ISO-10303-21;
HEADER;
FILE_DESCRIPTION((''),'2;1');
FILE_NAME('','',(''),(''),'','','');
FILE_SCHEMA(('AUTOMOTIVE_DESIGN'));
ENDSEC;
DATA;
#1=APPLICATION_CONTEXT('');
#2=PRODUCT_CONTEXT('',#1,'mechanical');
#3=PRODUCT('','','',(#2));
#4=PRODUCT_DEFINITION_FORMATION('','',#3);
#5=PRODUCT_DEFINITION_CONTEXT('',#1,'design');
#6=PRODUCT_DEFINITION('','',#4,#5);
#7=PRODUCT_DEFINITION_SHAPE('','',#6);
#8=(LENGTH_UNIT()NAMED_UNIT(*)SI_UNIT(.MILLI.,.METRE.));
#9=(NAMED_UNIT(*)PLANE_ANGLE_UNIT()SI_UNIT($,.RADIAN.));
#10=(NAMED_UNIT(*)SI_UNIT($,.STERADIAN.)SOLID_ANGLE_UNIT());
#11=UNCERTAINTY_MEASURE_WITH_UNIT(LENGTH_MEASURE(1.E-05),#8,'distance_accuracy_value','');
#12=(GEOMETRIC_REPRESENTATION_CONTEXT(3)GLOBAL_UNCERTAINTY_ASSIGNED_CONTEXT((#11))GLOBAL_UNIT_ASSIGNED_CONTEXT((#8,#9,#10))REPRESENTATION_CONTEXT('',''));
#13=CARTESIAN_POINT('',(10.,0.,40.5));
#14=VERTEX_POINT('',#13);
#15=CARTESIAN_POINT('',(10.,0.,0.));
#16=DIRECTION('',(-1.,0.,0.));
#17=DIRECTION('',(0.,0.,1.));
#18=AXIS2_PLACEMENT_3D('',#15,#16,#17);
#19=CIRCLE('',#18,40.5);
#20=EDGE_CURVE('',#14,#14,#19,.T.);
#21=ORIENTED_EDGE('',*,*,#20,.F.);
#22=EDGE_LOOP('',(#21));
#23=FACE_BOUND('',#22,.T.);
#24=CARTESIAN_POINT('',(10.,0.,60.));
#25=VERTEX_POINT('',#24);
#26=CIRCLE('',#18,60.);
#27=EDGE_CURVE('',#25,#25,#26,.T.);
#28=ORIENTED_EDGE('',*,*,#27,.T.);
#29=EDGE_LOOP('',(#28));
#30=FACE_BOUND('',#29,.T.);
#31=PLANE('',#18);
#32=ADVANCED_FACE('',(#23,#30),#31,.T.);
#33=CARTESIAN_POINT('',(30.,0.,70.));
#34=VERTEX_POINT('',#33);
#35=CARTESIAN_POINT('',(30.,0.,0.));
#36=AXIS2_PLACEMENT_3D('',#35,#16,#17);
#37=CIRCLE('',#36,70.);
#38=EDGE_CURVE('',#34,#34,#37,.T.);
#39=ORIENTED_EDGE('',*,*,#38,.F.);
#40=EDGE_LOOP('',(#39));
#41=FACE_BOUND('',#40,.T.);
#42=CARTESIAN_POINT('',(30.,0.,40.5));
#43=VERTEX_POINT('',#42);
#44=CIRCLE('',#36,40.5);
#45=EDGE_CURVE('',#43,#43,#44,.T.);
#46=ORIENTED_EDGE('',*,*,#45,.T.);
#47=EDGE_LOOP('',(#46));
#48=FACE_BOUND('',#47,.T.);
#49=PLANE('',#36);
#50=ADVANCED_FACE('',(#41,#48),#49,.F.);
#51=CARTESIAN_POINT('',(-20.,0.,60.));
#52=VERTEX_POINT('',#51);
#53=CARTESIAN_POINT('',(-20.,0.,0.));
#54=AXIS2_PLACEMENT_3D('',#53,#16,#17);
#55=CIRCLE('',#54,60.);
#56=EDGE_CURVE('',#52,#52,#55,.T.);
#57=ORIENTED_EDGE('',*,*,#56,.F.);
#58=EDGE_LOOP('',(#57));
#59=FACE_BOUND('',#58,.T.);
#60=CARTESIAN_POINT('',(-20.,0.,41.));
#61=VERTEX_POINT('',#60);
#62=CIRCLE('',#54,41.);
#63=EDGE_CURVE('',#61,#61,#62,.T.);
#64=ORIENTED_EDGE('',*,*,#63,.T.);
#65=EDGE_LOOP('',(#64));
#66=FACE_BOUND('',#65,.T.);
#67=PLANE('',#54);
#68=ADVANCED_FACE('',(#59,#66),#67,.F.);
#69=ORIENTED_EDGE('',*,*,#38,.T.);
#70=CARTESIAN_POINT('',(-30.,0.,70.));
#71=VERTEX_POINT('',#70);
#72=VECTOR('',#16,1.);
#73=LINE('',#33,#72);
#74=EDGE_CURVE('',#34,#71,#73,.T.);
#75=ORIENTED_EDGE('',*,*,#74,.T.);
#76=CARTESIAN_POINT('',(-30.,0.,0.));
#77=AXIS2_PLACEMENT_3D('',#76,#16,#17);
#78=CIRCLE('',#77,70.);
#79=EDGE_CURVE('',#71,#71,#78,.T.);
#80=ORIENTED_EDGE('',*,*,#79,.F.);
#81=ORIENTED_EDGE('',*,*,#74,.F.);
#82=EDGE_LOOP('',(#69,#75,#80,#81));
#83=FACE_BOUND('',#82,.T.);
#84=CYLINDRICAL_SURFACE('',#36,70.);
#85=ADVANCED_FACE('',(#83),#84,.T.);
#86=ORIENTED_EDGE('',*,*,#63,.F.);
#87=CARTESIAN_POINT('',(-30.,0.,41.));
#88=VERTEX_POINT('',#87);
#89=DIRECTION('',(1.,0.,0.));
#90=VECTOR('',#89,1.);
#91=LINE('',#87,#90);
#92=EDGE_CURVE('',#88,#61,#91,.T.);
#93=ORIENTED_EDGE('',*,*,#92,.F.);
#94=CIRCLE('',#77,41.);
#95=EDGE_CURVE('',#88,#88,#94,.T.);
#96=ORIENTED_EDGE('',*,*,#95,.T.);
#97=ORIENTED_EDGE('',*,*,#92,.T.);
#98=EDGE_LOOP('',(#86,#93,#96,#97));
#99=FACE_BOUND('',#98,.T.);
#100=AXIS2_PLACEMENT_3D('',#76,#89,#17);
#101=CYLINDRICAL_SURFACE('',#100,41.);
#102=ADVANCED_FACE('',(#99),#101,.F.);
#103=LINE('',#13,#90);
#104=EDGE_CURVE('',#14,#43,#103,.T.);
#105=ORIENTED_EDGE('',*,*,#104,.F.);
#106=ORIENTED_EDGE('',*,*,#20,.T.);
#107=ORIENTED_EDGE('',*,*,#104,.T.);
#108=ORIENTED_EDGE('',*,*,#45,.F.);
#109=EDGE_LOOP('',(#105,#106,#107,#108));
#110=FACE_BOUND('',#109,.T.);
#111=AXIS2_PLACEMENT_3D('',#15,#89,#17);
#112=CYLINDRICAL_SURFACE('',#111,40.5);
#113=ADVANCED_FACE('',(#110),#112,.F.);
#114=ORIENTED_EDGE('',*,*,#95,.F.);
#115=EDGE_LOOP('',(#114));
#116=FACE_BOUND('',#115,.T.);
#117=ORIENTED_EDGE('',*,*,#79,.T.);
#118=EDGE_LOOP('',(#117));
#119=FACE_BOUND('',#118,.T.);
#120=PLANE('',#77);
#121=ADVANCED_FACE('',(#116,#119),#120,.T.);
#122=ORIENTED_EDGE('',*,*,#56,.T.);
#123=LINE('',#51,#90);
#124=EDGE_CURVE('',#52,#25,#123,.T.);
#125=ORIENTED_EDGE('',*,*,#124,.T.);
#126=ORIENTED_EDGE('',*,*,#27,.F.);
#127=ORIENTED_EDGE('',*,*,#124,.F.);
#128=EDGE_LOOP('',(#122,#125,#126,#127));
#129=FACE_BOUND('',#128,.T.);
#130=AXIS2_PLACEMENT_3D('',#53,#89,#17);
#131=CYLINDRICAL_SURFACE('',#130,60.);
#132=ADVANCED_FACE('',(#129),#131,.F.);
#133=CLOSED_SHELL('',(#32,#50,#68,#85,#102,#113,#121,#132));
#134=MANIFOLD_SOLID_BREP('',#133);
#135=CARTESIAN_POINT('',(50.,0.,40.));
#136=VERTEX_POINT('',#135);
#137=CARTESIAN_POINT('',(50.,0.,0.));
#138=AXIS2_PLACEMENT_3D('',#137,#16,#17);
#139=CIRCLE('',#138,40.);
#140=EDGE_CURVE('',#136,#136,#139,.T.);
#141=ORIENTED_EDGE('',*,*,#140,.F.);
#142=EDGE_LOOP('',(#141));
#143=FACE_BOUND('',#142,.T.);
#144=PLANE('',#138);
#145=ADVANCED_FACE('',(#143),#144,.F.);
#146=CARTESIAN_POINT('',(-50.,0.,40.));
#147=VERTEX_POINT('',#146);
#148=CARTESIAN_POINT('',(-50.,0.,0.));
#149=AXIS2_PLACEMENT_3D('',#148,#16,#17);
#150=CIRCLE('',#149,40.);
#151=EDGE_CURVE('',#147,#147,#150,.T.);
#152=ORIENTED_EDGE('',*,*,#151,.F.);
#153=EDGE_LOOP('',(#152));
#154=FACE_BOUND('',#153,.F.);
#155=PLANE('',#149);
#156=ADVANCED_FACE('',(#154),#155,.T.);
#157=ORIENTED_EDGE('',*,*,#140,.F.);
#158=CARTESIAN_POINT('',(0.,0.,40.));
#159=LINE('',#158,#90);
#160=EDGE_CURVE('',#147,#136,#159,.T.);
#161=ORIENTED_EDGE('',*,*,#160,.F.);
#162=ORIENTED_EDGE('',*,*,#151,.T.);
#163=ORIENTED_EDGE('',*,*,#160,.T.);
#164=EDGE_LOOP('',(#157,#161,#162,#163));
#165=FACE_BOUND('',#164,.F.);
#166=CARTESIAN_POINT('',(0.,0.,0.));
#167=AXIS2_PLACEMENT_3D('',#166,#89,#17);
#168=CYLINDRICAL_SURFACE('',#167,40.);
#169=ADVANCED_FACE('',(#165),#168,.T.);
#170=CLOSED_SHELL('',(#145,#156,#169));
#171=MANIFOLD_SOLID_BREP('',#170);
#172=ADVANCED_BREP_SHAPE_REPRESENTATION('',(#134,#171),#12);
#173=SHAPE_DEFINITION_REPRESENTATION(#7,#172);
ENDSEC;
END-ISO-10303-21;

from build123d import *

# Parameters (mm, degrees)
F0_W = 100
F0_H = 40


with BuildPart() as f1:
    # F0 (on Front) → F1 (revolve)
    with BuildSketch(Plane.XZ):
        with Locations((0, 20)):
            Rectangle(F0_W, F0_H)
        Polygon((-30, 70), (-30, 41), (-20, 41), (-20, 60), (10, 60), (10, 40.5), (30, 40.5), (30, 70), align=None)
    revolve(axis=Axis((-67.157046, 0, 0), (-1, 0, 0)))


solid = f1.part
